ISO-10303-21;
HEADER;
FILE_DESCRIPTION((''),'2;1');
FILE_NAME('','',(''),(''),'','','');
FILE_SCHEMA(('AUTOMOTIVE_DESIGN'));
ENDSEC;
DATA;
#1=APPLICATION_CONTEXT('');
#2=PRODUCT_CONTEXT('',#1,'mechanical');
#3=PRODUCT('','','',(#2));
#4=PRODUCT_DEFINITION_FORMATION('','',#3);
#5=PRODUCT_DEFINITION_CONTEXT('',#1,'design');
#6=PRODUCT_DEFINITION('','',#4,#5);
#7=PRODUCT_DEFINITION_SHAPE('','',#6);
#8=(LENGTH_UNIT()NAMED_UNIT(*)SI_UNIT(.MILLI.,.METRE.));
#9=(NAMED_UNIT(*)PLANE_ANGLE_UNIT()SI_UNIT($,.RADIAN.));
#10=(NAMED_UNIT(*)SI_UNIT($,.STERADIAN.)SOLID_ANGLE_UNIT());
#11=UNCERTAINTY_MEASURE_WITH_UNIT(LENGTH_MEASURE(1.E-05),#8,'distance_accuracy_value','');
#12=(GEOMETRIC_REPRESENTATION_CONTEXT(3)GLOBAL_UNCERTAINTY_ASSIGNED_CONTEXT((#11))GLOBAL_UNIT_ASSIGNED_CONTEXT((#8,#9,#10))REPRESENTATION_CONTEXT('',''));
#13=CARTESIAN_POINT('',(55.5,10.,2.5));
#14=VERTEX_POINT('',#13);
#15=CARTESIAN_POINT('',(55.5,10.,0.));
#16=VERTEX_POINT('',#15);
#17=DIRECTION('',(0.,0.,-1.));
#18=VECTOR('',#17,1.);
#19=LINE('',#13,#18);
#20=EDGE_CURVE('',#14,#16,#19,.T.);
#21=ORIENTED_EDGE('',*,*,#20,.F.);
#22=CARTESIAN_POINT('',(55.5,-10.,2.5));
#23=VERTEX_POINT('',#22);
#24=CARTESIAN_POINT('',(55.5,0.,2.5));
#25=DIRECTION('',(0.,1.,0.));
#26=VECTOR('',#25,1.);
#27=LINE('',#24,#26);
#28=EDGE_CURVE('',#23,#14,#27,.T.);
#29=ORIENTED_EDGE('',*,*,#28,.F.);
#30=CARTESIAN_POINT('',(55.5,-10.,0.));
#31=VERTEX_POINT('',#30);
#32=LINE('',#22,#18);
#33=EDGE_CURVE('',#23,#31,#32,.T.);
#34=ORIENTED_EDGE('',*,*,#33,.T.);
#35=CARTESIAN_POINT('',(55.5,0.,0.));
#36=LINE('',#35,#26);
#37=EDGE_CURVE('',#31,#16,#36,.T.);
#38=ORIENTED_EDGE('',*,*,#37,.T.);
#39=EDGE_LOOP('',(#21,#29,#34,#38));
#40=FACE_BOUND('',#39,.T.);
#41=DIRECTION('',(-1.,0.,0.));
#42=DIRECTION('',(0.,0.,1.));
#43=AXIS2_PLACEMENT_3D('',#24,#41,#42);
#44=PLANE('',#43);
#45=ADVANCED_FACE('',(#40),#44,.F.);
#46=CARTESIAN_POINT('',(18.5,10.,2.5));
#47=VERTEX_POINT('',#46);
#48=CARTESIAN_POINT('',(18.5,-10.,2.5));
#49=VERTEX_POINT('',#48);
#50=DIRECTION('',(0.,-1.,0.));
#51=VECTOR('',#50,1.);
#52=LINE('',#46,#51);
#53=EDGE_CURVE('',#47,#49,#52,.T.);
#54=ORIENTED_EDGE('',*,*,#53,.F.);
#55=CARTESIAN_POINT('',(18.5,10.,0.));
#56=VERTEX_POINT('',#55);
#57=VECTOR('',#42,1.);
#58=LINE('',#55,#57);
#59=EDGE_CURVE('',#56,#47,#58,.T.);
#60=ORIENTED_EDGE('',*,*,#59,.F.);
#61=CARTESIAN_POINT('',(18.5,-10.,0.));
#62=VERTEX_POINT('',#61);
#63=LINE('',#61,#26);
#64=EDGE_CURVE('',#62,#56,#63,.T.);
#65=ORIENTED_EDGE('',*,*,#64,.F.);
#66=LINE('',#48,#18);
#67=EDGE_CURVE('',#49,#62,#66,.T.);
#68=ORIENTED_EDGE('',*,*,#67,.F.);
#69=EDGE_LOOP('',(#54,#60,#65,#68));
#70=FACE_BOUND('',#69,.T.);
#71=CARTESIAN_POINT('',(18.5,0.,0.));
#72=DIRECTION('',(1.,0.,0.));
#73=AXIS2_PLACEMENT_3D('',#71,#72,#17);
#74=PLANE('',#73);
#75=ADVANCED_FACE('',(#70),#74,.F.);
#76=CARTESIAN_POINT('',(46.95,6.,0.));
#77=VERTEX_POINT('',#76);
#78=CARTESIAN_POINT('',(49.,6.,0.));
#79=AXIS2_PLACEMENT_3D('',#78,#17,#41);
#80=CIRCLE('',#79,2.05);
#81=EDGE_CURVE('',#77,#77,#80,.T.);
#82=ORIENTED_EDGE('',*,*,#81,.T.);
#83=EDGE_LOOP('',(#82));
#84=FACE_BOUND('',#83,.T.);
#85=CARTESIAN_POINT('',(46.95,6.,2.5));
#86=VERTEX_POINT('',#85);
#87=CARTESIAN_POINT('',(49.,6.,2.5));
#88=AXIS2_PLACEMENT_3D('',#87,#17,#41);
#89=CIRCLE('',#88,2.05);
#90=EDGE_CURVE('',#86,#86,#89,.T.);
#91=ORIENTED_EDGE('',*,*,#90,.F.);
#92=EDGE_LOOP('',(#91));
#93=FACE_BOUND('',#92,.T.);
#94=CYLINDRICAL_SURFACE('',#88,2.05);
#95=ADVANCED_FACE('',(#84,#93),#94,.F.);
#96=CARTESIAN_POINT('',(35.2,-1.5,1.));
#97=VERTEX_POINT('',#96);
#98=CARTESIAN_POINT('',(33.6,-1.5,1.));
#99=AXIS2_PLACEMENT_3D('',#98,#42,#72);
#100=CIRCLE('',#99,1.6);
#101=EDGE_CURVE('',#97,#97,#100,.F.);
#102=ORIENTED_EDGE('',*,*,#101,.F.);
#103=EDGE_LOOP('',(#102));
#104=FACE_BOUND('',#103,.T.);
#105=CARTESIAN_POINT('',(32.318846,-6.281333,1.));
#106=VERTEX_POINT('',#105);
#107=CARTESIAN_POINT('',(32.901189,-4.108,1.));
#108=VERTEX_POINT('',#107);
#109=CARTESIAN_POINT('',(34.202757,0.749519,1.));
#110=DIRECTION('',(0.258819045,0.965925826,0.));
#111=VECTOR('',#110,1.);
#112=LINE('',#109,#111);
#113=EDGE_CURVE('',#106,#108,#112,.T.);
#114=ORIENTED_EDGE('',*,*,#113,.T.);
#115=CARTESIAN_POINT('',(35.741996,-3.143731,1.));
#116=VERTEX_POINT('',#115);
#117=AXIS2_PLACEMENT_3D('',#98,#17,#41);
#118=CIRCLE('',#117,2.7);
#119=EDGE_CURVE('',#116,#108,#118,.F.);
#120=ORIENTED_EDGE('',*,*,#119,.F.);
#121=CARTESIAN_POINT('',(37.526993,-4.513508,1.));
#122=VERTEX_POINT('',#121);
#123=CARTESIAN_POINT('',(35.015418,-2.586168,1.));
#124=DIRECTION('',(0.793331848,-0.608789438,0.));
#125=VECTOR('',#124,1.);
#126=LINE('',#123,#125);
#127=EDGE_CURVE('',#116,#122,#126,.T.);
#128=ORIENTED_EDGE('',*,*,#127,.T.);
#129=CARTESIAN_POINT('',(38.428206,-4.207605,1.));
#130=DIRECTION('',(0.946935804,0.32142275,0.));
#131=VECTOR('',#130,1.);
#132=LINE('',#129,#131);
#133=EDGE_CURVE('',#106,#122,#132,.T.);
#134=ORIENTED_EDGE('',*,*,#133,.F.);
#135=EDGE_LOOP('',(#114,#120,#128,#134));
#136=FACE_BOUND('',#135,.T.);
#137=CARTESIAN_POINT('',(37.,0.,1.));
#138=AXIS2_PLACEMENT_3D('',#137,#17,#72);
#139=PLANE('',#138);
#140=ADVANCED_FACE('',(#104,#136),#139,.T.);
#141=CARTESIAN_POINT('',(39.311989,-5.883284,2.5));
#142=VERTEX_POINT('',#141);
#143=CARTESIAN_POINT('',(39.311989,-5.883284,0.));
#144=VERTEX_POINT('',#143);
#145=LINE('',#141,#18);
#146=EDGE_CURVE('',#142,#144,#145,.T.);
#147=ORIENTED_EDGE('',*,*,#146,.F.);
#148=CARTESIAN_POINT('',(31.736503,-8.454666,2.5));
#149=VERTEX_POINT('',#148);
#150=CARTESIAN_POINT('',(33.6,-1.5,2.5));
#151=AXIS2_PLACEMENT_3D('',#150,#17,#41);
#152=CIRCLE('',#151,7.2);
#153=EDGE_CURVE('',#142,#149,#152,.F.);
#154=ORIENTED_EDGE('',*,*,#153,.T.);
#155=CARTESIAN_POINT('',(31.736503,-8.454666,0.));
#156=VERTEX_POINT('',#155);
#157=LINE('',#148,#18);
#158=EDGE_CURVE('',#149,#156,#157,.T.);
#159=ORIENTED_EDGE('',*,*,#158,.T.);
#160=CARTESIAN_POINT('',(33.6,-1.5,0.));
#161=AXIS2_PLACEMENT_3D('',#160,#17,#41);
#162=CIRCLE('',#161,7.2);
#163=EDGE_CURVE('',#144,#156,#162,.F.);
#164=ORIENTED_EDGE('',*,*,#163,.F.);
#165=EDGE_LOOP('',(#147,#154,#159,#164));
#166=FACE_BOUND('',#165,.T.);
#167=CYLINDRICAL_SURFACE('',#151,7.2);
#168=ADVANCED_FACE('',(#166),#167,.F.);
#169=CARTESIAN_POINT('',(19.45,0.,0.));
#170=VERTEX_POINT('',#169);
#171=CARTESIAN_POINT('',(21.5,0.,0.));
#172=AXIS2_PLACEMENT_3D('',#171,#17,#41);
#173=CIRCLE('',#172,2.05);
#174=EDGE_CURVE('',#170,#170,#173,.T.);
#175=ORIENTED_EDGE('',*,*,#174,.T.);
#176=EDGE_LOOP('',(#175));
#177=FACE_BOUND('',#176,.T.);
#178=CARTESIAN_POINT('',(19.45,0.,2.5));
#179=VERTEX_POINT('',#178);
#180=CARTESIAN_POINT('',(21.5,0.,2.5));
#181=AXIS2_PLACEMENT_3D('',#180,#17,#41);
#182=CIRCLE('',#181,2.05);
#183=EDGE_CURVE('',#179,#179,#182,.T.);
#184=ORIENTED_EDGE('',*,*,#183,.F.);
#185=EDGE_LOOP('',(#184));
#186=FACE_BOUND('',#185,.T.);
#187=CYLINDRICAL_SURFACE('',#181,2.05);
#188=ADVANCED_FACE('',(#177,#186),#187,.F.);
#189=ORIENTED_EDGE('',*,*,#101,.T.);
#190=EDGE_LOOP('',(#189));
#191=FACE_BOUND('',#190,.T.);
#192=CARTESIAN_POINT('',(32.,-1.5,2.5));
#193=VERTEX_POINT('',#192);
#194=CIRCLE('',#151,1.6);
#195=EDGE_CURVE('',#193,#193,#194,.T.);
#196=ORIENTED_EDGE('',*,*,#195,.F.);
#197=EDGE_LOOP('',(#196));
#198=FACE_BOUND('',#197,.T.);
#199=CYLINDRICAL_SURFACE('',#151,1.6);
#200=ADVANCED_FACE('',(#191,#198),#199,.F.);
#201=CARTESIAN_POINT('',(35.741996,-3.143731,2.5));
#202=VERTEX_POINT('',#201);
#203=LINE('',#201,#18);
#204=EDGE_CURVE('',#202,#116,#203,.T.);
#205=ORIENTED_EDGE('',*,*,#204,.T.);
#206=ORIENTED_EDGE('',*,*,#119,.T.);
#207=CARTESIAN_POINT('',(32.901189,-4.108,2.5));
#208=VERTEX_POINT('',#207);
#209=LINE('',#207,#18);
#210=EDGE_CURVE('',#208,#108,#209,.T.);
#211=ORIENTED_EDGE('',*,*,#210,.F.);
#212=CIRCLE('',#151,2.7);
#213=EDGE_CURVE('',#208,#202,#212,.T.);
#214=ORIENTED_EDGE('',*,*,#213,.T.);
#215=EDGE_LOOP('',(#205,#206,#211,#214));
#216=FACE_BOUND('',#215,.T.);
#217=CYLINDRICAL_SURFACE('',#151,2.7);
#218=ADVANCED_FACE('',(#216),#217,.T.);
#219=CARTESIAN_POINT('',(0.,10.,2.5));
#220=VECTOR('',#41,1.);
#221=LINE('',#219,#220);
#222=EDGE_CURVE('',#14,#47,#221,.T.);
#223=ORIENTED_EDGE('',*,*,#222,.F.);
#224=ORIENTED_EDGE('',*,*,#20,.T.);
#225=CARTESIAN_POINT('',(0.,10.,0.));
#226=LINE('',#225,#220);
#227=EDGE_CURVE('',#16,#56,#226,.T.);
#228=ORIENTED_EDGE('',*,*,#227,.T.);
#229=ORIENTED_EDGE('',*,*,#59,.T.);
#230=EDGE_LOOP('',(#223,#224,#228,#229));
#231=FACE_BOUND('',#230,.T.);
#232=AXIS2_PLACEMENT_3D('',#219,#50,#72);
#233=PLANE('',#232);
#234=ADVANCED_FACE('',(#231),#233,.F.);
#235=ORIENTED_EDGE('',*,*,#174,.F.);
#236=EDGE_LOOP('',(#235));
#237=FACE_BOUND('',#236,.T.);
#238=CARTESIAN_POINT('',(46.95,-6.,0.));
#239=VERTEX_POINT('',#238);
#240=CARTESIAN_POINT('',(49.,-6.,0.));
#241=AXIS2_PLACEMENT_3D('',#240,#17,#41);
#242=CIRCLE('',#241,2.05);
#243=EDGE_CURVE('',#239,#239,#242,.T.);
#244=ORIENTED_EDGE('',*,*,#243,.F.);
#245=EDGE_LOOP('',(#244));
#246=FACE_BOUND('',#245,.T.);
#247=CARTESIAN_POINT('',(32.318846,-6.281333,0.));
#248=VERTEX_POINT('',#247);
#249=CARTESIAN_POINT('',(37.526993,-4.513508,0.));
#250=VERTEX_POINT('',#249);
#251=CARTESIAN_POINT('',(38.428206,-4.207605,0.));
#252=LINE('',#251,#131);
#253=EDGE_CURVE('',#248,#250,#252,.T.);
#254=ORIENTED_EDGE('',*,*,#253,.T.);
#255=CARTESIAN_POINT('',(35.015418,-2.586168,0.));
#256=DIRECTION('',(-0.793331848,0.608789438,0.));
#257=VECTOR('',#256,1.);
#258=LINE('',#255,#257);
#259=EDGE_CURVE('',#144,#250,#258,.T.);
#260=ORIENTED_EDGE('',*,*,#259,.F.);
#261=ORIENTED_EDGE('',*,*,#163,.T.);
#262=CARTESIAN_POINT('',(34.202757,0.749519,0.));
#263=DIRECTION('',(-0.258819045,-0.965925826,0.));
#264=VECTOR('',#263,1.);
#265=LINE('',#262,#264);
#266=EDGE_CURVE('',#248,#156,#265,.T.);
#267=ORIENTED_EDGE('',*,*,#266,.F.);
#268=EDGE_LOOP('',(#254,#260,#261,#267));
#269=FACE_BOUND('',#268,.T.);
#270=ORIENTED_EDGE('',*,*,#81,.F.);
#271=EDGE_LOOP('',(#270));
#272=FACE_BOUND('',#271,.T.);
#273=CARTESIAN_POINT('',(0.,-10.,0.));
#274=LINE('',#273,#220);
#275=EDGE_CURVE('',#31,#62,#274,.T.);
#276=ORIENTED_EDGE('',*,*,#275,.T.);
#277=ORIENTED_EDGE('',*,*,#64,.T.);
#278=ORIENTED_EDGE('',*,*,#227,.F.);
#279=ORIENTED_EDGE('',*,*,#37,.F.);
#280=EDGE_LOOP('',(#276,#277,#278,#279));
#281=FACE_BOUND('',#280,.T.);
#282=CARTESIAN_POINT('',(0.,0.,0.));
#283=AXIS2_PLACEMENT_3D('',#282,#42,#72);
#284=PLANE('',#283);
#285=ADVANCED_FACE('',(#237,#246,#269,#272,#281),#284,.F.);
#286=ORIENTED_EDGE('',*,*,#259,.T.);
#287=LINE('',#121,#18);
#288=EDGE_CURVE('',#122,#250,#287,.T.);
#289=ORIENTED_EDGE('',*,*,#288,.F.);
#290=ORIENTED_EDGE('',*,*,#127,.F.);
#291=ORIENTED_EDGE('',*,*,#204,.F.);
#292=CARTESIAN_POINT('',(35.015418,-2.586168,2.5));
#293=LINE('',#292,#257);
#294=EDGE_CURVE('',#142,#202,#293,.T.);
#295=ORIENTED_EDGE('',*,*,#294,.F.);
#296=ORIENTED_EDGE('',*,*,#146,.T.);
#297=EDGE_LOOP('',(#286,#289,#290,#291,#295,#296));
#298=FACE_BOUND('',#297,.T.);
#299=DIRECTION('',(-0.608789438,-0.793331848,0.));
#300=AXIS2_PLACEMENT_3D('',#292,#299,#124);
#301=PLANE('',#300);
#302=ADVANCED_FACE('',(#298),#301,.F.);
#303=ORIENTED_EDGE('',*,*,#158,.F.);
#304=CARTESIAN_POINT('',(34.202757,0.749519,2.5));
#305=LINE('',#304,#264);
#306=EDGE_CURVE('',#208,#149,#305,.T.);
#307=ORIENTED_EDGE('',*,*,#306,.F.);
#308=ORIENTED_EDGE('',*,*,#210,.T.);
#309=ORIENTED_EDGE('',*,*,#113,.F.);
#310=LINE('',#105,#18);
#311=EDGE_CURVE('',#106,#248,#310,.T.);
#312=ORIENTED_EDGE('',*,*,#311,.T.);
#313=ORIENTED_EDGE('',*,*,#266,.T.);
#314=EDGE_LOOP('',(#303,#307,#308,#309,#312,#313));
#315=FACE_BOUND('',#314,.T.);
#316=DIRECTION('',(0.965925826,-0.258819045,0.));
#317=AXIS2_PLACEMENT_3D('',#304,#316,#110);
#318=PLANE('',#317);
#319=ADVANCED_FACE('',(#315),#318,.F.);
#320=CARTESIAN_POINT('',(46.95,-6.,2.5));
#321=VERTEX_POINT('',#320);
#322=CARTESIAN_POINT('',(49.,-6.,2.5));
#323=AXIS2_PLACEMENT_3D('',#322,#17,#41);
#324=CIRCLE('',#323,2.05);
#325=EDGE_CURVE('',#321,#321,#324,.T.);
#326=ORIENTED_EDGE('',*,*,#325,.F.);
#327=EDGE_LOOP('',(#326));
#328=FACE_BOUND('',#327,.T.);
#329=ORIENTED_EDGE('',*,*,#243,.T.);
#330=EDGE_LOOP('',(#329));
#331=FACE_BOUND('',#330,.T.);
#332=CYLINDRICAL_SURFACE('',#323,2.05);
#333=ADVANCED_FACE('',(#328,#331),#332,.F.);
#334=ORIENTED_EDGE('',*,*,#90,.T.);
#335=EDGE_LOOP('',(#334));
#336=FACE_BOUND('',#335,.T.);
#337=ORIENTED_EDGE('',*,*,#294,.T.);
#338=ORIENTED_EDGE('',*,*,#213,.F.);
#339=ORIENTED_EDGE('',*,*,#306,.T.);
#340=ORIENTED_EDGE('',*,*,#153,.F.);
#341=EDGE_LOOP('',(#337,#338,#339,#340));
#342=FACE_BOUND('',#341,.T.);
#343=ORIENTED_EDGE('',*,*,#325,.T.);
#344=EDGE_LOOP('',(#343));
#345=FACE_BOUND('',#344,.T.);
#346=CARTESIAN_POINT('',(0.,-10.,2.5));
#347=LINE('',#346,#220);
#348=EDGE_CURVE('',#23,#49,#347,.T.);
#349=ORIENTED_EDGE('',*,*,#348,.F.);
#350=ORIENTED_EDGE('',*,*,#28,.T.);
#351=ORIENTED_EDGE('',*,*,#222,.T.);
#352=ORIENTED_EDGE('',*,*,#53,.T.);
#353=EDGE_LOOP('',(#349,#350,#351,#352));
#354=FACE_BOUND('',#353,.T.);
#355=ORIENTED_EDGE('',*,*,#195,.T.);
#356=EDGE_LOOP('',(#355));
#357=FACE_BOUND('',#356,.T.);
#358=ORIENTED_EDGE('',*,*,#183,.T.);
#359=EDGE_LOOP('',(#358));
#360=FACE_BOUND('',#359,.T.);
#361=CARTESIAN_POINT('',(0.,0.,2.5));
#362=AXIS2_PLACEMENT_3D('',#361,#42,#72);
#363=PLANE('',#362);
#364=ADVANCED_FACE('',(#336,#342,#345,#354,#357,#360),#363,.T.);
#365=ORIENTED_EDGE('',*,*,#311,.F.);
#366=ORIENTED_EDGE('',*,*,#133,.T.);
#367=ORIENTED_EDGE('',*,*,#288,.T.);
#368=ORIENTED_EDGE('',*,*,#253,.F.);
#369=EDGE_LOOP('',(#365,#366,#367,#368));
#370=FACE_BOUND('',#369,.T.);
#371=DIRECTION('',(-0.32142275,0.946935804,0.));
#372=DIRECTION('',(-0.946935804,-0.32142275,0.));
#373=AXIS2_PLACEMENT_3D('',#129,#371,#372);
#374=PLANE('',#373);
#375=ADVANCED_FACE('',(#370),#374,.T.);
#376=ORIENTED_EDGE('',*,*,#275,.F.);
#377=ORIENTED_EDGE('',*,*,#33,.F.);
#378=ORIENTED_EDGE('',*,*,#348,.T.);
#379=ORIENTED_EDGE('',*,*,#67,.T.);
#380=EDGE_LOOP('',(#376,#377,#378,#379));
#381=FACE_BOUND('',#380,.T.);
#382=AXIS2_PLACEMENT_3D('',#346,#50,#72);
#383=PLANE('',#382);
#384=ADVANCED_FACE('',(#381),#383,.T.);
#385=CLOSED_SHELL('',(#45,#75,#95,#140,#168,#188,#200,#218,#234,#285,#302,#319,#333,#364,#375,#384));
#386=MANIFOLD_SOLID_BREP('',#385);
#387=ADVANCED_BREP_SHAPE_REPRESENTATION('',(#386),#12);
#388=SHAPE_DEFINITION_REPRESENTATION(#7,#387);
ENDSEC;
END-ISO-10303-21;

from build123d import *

# Parameters (mm, degrees)
ESQUISSE1_W             = 37
ESQUISSE1_H             = 20
ESQUISSE1_R             = 2.05
ESQUISSE1_R_2           = 1.6
BOSS_EXTRU_1_DEPTH      = 2.5
ESQUISSE3_R             = 1.6
ENL_V_MAT_EXTRU_1_DEPTH = 1
ESQUISSE5_W             = 2.5
ESQUISSE5_H             = 20
ENL_V_MAT_EXTRU_3_DEPTH = 39.408983324


with BuildPart() as part:
    # Esquisse1 → Boss.-Extru.1 (new body)
    with BuildSketch(Plane.XY):
        Rectangle(ESQUISSE1_W, ESQUISSE1_H)
        with Locations((-12, 6)):
            Circle(ESQUISSE1_R, mode=Mode.SUBTRACT)
        with Locations((-12, -6)):
            Circle(ESQUISSE1_R, mode=Mode.SUBTRACT)
        with Locations((15.5, 0)):
            Circle(ESQUISSE1_R, mode=Mode.SUBTRACT)
        with Locations((3.4, -1.5)):
            Circle(ESQUISSE1_R_2, mode=Mode.SUBTRACT)
        with BuildLine():
            Line((-2.311989303, -5.883283951), (1.258004011, -3.143731482))
            ThreePointArc((1.258004011, -3.143731482), (4.267841424, 1.056726669), (4.098811422, -4.107999731))
            Line((4.098811422, -4.107999731), (5.263497125, -8.454665949))
            ThreePointArc((5.263497125, -8.454665949), (5.714243798, 5.317937785), (-2.311989303, -5.883283951))
        make_face(mode=Mode.SUBTRACT)
    boss_extru_1 = extrude(amount=BOSS_EXTRU_1_DEPTH)

    # Esquisse3 → Enlèv. mat.-Extru.1 (cut)
    # profile 1 of 2: a face of its own
    with BuildSketch(Plane(origin=(0, 0, 0), x_dir=(-1, 0, 0), z_dir=(0, 0, -1))):
        with BuildLine():
            Line((2.311989303, -5.883283951), (-1.258004011, -3.143731482))
            ThreePointArc((-1.258004011, -3.143731482), (-4.267841424, 1.056726669), (-4.098811422, -4.107999731))
            Line((-4.098811422, -4.107999731), (-5.263497125, -8.454665949))
            ThreePointArc((-5.263497125, -8.454665949), (-5.714243798, 5.317937785), (2.311989303, -5.883283951))
        make_face()
    # profile 2 of 2: a face of its own
    with BuildSketch(Plane(origin=(0, 0, 0), x_dir=(-1, 0, 0), z_dir=(0, 0, -1))):
        with BuildLine():
            Line((-4.681154273, -6.28133284), (0.526992646, -4.513507717))
            Line((0.526992646, -4.513507717), (-1.258004011, -3.143731482))
            ThreePointArc((-1.258004011, -3.143731482), (-4.267841424, 1.056726669), (-4.098811422, -4.107999731))
            Line((-4.098811422, -4.107999731), (-4.681154273, -6.28133284))
        make_face()
        with Locations((-3.4, -1.5)):
            Circle(ESQUISSE3_R, mode=Mode.SUBTRACT)
    enl_v_mat_extru_1 = extrude(amount=-ENL_V_MAT_EXTRU_1_DEPTH, mode=Mode.SUBTRACT)

    # Symétrie1: Boss.-Extru.1, Enlèv. mat.-Extru.1 across plane
    add(boss_extru_1.mirror(Plane(origin=(18.5, 0, 0), x_dir=(0, 0, 1), z_dir=(1, 0, 0))))
    add(enl_v_mat_extru_1.mirror(Plane(origin=(18.5, 0, 0), x_dir=(0, 0, 1), z_dir=(1, 0, 0))), mode=Mode.SUBTRACT)

    # Esquisse5 → Enlèv. mat.-Extru.3 (cut, through all)
    with BuildSketch(Plane(origin=(18.5, 0, 0), x_dir=(0, 0, -1), z_dir=(1, 0, 0))):
        with Locations((-1.25, 0)):
            Rectangle(ESQUISSE5_W, ESQUISSE5_H)
    extrude(amount=-ENL_V_MAT_EXTRU_3_DEPTH, mode=Mode.SUBTRACT)


solid = part.part
